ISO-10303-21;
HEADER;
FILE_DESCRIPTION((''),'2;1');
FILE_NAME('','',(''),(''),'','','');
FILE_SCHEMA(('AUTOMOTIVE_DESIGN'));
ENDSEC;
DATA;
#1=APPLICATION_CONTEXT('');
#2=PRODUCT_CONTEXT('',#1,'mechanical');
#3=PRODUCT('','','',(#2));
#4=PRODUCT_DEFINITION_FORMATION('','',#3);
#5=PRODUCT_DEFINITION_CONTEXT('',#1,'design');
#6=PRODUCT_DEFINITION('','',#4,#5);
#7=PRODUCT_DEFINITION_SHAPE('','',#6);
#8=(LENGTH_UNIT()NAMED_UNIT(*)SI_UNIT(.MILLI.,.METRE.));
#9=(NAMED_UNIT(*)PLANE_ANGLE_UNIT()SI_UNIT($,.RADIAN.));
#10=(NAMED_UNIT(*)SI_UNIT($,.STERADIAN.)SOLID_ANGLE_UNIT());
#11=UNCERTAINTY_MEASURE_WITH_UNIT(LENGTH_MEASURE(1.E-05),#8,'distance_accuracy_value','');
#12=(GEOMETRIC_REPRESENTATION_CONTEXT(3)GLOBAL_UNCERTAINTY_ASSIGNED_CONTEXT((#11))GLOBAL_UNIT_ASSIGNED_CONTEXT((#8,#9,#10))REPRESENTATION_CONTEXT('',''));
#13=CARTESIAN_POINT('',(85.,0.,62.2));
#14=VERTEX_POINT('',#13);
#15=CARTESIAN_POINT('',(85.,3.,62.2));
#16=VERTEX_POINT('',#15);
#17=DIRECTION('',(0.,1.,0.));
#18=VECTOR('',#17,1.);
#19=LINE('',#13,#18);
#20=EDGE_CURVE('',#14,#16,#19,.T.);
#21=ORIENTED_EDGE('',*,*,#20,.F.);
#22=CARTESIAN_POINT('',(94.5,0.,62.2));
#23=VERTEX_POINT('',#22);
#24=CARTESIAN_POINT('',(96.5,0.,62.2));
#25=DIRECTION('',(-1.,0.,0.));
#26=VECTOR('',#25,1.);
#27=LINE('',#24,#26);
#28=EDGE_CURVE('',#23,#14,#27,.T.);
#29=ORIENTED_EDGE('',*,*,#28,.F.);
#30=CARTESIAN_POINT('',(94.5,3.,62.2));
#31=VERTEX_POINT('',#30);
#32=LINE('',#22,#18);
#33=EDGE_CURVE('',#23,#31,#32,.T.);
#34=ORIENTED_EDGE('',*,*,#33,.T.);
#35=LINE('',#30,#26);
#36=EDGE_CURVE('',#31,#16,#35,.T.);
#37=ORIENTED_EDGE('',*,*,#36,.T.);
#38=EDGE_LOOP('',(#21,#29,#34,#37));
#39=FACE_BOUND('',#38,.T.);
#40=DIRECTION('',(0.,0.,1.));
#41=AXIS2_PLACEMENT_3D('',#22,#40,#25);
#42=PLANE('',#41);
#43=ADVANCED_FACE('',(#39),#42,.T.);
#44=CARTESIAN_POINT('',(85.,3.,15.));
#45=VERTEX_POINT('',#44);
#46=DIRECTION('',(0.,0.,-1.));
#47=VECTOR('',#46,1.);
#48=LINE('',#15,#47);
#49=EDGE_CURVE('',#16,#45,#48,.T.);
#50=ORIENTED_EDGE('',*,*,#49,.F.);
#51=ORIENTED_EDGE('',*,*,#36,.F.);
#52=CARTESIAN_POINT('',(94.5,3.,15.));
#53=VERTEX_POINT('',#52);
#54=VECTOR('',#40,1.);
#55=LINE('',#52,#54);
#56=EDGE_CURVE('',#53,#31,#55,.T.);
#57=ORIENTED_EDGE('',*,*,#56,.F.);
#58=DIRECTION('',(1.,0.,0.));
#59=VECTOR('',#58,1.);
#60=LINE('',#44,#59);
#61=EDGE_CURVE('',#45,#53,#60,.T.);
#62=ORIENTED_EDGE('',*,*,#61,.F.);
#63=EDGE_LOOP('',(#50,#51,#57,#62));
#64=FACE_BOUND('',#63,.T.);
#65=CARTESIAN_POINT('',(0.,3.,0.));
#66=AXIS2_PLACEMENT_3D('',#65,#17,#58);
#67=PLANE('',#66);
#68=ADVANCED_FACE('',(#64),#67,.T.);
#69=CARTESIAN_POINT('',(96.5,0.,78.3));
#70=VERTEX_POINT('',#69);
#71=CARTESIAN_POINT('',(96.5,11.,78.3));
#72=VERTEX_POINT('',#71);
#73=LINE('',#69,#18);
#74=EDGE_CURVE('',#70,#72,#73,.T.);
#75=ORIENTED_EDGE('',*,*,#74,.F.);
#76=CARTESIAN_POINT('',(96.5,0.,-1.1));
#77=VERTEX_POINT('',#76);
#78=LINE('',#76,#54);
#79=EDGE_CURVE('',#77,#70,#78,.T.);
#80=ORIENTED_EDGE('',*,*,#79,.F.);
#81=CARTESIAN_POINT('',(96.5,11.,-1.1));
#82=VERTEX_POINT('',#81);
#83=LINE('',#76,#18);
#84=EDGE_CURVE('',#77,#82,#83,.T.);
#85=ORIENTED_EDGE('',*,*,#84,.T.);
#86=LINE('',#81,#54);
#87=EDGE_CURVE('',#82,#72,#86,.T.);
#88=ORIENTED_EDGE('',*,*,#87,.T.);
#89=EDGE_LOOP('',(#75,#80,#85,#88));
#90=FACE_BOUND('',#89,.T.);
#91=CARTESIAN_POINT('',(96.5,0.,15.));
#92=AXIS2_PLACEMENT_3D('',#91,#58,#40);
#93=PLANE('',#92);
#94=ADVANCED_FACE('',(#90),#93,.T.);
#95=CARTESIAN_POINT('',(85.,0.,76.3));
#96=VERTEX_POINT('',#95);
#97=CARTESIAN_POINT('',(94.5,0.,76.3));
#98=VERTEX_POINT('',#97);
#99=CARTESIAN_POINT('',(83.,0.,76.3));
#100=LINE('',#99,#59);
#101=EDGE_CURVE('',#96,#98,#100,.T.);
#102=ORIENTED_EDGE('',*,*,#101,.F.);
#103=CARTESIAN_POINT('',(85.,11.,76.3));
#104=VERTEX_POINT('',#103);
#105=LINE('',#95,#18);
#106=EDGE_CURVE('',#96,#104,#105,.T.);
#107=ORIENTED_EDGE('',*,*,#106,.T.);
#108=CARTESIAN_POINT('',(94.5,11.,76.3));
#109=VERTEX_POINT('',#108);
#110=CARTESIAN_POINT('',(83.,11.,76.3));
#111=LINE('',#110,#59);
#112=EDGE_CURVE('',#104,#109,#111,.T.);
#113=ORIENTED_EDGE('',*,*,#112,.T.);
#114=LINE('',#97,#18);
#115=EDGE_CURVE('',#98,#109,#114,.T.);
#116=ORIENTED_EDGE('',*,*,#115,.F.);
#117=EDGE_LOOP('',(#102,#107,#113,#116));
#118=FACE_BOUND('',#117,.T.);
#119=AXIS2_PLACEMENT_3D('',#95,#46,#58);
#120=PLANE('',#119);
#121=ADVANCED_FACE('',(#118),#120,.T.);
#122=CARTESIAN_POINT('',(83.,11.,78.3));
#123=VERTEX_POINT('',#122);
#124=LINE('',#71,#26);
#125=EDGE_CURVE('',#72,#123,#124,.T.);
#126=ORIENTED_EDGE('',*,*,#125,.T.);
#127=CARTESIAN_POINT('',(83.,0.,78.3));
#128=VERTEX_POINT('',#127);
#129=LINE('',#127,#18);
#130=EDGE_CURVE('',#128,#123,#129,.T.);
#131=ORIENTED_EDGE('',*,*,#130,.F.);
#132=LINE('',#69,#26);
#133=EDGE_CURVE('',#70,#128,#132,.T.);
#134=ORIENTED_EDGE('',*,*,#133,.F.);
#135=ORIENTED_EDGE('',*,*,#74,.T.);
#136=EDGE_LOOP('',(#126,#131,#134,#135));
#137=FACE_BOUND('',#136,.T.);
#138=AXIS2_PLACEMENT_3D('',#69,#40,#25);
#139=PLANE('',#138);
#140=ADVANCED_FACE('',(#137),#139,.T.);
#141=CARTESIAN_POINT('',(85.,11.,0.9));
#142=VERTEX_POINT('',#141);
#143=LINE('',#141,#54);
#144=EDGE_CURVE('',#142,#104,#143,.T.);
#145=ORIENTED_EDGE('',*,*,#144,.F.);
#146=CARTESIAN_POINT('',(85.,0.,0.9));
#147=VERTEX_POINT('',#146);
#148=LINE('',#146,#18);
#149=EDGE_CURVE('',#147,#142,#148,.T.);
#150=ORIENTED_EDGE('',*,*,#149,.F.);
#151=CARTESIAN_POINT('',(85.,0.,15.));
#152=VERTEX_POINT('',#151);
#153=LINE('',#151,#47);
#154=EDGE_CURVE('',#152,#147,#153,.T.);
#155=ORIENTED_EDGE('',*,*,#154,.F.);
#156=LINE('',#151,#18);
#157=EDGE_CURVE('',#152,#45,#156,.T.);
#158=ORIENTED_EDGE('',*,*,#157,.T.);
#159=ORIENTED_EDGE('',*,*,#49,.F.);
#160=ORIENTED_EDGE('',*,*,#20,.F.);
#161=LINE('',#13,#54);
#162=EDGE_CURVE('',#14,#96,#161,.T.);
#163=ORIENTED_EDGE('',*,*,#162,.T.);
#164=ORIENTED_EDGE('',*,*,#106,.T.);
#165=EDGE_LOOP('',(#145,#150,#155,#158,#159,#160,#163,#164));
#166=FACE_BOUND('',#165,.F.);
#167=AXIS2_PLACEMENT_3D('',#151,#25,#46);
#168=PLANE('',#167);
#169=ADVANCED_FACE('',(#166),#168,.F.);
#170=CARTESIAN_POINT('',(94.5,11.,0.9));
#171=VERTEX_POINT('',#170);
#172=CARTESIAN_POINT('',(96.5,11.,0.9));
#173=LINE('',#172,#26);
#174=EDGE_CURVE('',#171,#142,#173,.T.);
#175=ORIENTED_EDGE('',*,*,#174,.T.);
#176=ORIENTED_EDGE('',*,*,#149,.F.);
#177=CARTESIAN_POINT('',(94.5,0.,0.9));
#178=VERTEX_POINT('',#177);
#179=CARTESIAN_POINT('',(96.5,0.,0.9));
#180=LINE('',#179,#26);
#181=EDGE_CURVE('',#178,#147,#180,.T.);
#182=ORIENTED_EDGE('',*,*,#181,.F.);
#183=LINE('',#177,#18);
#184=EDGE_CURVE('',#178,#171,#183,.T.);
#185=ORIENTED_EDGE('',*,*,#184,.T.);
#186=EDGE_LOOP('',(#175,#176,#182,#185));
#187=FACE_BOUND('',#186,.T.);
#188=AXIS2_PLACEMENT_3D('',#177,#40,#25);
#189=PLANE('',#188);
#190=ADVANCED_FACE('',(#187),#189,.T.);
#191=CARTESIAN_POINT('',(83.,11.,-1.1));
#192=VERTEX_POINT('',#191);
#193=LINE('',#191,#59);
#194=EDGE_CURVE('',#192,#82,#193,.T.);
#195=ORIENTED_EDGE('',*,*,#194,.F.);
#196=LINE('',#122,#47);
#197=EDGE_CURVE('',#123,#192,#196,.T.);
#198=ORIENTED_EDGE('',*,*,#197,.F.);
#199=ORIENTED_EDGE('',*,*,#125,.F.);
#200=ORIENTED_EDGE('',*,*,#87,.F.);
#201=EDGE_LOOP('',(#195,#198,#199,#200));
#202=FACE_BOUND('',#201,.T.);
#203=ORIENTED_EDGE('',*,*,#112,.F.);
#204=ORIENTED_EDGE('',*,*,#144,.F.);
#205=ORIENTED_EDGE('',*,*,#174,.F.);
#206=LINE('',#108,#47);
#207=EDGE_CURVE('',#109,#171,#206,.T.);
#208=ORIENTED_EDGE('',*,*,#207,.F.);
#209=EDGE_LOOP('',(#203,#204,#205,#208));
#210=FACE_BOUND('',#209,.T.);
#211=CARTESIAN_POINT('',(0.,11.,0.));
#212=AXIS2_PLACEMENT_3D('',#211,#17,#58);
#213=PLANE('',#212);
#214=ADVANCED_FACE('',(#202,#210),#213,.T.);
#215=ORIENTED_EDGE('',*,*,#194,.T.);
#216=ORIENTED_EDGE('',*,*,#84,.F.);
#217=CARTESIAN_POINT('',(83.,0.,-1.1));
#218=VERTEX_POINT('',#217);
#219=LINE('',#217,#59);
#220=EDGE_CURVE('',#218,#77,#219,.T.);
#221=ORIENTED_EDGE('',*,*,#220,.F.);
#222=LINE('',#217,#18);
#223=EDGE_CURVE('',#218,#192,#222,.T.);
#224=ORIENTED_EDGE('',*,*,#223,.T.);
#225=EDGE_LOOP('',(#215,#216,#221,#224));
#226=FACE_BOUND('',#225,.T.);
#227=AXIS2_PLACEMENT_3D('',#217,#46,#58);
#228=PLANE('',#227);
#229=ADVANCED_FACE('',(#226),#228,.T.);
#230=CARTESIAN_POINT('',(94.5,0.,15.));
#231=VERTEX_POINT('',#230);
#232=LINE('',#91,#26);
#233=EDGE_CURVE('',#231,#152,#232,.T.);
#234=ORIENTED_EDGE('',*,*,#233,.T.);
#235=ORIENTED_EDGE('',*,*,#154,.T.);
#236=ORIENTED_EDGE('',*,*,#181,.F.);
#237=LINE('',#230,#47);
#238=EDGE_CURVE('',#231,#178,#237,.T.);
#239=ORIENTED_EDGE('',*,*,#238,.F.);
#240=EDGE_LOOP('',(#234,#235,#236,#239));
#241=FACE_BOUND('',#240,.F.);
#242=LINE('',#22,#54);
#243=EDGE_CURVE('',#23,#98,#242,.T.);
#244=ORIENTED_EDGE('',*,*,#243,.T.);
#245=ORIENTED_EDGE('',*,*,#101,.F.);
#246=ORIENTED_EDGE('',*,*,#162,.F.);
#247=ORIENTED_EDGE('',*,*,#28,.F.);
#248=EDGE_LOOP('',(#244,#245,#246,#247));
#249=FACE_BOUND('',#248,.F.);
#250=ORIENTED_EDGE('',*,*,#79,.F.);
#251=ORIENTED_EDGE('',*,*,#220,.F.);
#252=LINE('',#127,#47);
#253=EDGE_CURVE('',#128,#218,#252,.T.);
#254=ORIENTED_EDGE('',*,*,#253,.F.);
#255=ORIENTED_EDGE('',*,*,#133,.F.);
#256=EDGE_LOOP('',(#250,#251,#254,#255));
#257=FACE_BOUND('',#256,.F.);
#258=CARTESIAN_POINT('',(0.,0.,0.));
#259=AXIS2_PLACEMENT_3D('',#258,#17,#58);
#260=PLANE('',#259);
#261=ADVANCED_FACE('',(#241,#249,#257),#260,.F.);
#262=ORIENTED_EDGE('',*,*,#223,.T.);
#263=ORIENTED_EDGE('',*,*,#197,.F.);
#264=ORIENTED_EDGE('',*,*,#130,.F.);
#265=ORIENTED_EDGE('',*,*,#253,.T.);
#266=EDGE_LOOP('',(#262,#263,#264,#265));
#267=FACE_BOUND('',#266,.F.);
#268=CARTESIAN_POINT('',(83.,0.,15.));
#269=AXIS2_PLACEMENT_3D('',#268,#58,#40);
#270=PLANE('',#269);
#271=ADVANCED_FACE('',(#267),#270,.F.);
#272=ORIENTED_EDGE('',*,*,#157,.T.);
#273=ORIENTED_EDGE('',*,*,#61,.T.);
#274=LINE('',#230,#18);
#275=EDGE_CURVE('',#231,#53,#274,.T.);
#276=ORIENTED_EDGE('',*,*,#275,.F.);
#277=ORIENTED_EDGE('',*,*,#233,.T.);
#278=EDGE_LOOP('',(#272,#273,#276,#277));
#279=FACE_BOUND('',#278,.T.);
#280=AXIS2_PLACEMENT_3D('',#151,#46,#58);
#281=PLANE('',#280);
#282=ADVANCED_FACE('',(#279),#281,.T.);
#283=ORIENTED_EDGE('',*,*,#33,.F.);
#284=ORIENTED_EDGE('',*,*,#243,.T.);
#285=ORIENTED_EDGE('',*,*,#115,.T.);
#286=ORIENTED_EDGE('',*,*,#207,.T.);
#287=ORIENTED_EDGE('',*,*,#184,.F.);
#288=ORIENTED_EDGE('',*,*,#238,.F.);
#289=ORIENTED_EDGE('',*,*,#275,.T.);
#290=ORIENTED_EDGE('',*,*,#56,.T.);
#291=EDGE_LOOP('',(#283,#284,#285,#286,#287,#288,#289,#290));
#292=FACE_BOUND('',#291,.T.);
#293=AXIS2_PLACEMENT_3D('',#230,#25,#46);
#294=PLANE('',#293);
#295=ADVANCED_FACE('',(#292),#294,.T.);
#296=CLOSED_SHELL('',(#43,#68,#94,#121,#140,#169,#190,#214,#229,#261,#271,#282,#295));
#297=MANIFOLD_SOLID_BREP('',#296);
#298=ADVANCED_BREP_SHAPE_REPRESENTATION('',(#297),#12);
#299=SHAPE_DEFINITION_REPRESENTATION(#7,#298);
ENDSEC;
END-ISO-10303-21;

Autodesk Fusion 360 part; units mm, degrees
sketch "Sketch1" plane through (0, 0, 0) normal (0, 1, 0) x (1, 0, 0)
  line L0 (0, 0) -> (20.4, 0) construction
  line L1 (20.4, 0) -> (20.4, -88.85) construction
  line L2 (0, 0) -> (20.4, 0)
  line L3 (20.4, 0) -> (20.4, -88.85)
  line L4 (20.4, -88.85) -> (0, -88.85)
  line L5 (0, -88.85) -> (0, 0)
  line L6 (20.4, 0) -> (17.9, 0) construction
  line L7 (17.9, 0) -> (17.9, -2.5) construction
  line L8 (17.9, -2.5) -> (20.4, -2.5) construction
  line L9 (20.4, -2.5) -> (20.4, 0) construction
  circle A0 centre (17.9, -2.5) radius 1.5
  line L10 (0, 0) -> (2.5, 0) construction
  line L11 (2.5, 0) -> (2.5, -2.5) construction
  line L12 (2.5, -2.5) -> (0, -2.5) construction
  line L13 (0, -2.5) -> (0, 0) construction
  line L14 (0, -88.85) -> (2.5, -88.85) construction
  line L15 (2.5, -88.85) -> (2.5, -86.35) construction
  line L16 (2.5, -86.35) -> (0, -86.35) construction
  line L17 (0, -86.35) -> (0, -88.85) construction
  line L18 (20.4, -88.85) -> (17.9, -88.85) construction
  line L19 (17.9, -88.85) -> (17.9, -86.35) construction
  line L20 (17.9, -86.35) -> (20.4, -86.35) construction
  line L21 (20.4, -86.35) -> (20.4, -88.85) construction
  circle A1 centre (2.5, -86.35) radius 1.5
  circle A2 centre (17.9, -86.35) radius 1.5
  circle A3 centre (2.5, -2.5) radius 1.5
  circle A4 centre (2.5, -2.5) radius 2
  circle A5 centre (17.9, -2.5) radius 2
  circle A6 centre (2.5, -86.35) radius 2
  circle A7 centre (17.9, -86.35) radius 2
  dimension "d1" = 20.4
  dimension "d2" = 88.85
  dimension "d3" = 2.5
  dimension "d4" = 2.5
  dimension "d5" = 3
  dimension "d6" = 2.5
  dimension "d7" = 2.5
  dimension "d8" = 2.5
  dimension "d9" = 2.5
  dimension "d10" = 2.5
  dimension "d11" = 2.5
  dimension "d12" = 3
  dimension "d13" = 3
  dimension "d14" = 3
  dimension "d15" = 4
  dimension "d16" = 4
  dimension "d17" = 4
  dimension "d18" = 4
extrude "Extrude1" add sketch "Sketch1" along normal blind 1 contours L2 L3 L4 L5 makes body 1
extrude "Extrude2" add sketch "Sketch1" along normal blind 1 contours A0 | A1 | A2 | A3 | A4 | A5 | A6 | A7 bodies 1
extrude "Extrude3" add sketch "Sketch1" along normal blind 10 contours A4 | A5 | A6 | A7 bodies 1
extrude "Extrude4" add 4 faces at (17.7887, 1, 3.5508) (2.9404, 1, 2.5827) (17.4222, 1, 86.4974) (2.3887, 1, 87.4008) along direction (0, 1, 0) blind 5 on bodies 1 bodies 1
sketch "Sketch2" plane through (0, 0, 0) normal (0, 1, 0) x (1, 0, 0)
  line L0 (55, 0) -> (64.5, 0) construction
  line L1 (55, 0) -> (55, -75.2) construction
  line L2 (55, -75.2) -> (64.5, -75.2)
  line L3 (64.5, -75.2) -> (64.5, 0)
  line L4 (64.5, 0) -> (55, 0)
  line L5 (55, 0) -> (55, -75.2)
  line L6 (64.5, -75.2) -> (68.5, -75.2) construction
  line L7 (68.5, -75.2) -> (68.5, -79.2) construction
  line L8 (68.5, -79.2) -> (64.5, -79.2) construction
  line L9 (64.5, -79.2) -> (64.5, -75.2) construction
  line L10 (55, 0) -> (51, 0) construction
  line L11 (51, 0) -> (51, 4) construction
  line L12 (51, 4) -> (55, 4) construction
  line L13 (55, 4) -> (55, 0) construction
  line L14 (51, 4) -> (68.5, 4)
  line L15 (68.5, 4) -> (68.5, -79.2)
  line L16 (68.5, -79.2) -> (51, -79.2)
  line L17 (51, -79.2) -> (51, 4)
  line L18 (59.75, -75.2) -> (59.75, -61.2) construction
  line L19 (59.75, 0) -> (59.75, -14) construction
  line L20 (59.75, -14) -> (55, -14) construction
  line L21 (59.75, -61.2) -> (64.5, -61.2) construction
  line L22 (55, -14) -> (64.5, -14)
  line L23 (64.5, -14) -> (64.5, -61.2)
  line L24 (64.5, -61.2) -> (55, -61.2)
  line L25 (55, -61.2) -> (55, -14)
  line L26 (55, -75.2) -> (64.5, -75.2)
  line L27 (64.5, -75.2) -> (64.5, -79.2)
  line L28 (64.5, -79.2) -> (55, -79.2)
  line L29 (55, -79.2) -> (55, -75.2)
  line L30 (55, 0) -> (64.5, 0)
  line L31 (64.5, 0) -> (64.5, 4)
  line L32 (64.5, 4) -> (55, 4)
  line L33 (55, 4) -> (55, 0)
  dimension "d27" = 9.5
  dimension "d28" = 75.2
  dimension "d29" = 4
  dimension "d30" = 4
  dimension "d31" = 4
  dimension "d32" = 4
  dimension "d35" = 14
  dimension "d36" = 14
extrude "Extrude5" add sketch "Sketch2" along normal blind 1 separate body makes body 2
extrude "Extrude6" add sketch "Sketch2" along normal blind 10 contours L3 L5 L22 L23 L24 L25 bodies 2
extrude "Extrude7" add sketch "Sketch2" along normal blind 20 contours L5 L14 L16 L17 L25 L29 L33 | L3 L14 L15 L16 L23 L27 L31 bodies 2
sketch "Sketch3" plane through (0, 0, 0) normal (0, 1, 0) x (1, 0, 0)
  line L0 (85, -15) -> (94.5, -15)
  line L1 (94.5, -15) -> (94.5, -62.2)
  line L2 (94.5, -62.2) -> (85, -62.2)
  line L3 (85, -62.2) -> (85, -15)
  line L4 (94.5, -15) -> (96.5, -15)
  line L5 (96.5, -15) -> (96.5, -62.2)
  line L6 (96.5, -62.2) -> (94.5, -62.2)
  line L7 (94.5, -62.2) -> (94.5, -15)
  line L8 (85, -15) -> (83, -15)
  line L9 (83, -15) -> (83, -62.2)
  line L10 (83, -62.2) -> (85, -62.2)
  line L11 (85, -62.2) -> (85, -15)
  line L12 (85, -38.6) -> (85, -0.9) construction
  line L13 (94.5, -38.6) -> (94.5, -0.9) construction
  line L14 (85, -38.6) -> (85, -76.3) construction
  line L15 (94.5, -38.6) -> (94.5, -76.3) construction
  line L16 (83, -62.2) -> (85, -62.2)
  line L17 (85, -62.2) -> (85, -76.3)
  line L18 (85, -76.3) -> (83, -76.3)
  line L19 (83, -76.3) -> (83, -62.2)
  line L20 (94.5, -76.3) -> (96.5, -76.3)
  line L21 (96.5, -76.3) -> (96.5, -62.2)
  line L22 (96.5, -62.2) -> (94.5, -62.2)
  line L23 (94.5, -62.2) -> (94.5, -76.3)
  line L24 (83, -76.3) -> (96.5, -76.3)
  line L25 (96.5, -76.3) -> (96.5, -78.3)
  line L26 (96.5, -78.3) -> (83, -78.3)
  line L27 (83, -78.3) -> (83, -76.3)
  line L28 (85, -0.9) -> (83, -0.9)
  line L29 (83, -0.9) -> (83, -15)
  line L30 (83, -15) -> (85, -15)
  line L31 (85, -15) -> (85, -0.9)
  line L32 (94.5, -0.9) -> (96.5, -0.9)
  line L33 (96.5, -0.9) -> (96.5, -15)
  line L34 (96.5, -15) -> (94.5, -15)
  line L35 (94.5, -15) -> (94.5, -0.9)
  line L36 (96.5, -0.9) -> (83, -0.9)
  line L37 (83, -0.9) -> (83, 1.1)
  line L38 (83, 1.1) -> (96.5, 1.1)
  line L39 (96.5, 1.1) -> (96.5, -0.9)
  dimension "d41" = 9.5
  dimension "d42" = 47.2
  dimension "d43" = 2
  dimension "d44" = 2
  dimension "d49" = 37.7
  dimension "d50" = 37.7
  dimension "d51" = 37.7
  dimension "d52" = 37.7
  dimension "d53" = 2
  dimension "d54" = 2
extrude "Extrude8" add sketch "Sketch3" along normal blind 3 separate body contours L0 L1 L2 L3 L7 L11 makes body 3
extrude "Extrude9" add sketch "Sketch3" along normal blind 11 contours L3 L8 L9 L10 L11 L16 L30 | L1 L4 L5 L6 L7 L22 L34 bodies 3
extrude "Extrude10" add sketch "Sketch3" along normal blind 11 contours L8 L28 L29 L30 L31 L36 | L4 L32 L33 L34 L35 L36 | L10 L16 L17 L18 L19 L24 | L28 L32 L36 L37 L38 L39 | L6 L20 L21 L22 L23 L24 | L18 L20 L24 L25 L26 L27 bodies 3
hidden bodies 1 2
